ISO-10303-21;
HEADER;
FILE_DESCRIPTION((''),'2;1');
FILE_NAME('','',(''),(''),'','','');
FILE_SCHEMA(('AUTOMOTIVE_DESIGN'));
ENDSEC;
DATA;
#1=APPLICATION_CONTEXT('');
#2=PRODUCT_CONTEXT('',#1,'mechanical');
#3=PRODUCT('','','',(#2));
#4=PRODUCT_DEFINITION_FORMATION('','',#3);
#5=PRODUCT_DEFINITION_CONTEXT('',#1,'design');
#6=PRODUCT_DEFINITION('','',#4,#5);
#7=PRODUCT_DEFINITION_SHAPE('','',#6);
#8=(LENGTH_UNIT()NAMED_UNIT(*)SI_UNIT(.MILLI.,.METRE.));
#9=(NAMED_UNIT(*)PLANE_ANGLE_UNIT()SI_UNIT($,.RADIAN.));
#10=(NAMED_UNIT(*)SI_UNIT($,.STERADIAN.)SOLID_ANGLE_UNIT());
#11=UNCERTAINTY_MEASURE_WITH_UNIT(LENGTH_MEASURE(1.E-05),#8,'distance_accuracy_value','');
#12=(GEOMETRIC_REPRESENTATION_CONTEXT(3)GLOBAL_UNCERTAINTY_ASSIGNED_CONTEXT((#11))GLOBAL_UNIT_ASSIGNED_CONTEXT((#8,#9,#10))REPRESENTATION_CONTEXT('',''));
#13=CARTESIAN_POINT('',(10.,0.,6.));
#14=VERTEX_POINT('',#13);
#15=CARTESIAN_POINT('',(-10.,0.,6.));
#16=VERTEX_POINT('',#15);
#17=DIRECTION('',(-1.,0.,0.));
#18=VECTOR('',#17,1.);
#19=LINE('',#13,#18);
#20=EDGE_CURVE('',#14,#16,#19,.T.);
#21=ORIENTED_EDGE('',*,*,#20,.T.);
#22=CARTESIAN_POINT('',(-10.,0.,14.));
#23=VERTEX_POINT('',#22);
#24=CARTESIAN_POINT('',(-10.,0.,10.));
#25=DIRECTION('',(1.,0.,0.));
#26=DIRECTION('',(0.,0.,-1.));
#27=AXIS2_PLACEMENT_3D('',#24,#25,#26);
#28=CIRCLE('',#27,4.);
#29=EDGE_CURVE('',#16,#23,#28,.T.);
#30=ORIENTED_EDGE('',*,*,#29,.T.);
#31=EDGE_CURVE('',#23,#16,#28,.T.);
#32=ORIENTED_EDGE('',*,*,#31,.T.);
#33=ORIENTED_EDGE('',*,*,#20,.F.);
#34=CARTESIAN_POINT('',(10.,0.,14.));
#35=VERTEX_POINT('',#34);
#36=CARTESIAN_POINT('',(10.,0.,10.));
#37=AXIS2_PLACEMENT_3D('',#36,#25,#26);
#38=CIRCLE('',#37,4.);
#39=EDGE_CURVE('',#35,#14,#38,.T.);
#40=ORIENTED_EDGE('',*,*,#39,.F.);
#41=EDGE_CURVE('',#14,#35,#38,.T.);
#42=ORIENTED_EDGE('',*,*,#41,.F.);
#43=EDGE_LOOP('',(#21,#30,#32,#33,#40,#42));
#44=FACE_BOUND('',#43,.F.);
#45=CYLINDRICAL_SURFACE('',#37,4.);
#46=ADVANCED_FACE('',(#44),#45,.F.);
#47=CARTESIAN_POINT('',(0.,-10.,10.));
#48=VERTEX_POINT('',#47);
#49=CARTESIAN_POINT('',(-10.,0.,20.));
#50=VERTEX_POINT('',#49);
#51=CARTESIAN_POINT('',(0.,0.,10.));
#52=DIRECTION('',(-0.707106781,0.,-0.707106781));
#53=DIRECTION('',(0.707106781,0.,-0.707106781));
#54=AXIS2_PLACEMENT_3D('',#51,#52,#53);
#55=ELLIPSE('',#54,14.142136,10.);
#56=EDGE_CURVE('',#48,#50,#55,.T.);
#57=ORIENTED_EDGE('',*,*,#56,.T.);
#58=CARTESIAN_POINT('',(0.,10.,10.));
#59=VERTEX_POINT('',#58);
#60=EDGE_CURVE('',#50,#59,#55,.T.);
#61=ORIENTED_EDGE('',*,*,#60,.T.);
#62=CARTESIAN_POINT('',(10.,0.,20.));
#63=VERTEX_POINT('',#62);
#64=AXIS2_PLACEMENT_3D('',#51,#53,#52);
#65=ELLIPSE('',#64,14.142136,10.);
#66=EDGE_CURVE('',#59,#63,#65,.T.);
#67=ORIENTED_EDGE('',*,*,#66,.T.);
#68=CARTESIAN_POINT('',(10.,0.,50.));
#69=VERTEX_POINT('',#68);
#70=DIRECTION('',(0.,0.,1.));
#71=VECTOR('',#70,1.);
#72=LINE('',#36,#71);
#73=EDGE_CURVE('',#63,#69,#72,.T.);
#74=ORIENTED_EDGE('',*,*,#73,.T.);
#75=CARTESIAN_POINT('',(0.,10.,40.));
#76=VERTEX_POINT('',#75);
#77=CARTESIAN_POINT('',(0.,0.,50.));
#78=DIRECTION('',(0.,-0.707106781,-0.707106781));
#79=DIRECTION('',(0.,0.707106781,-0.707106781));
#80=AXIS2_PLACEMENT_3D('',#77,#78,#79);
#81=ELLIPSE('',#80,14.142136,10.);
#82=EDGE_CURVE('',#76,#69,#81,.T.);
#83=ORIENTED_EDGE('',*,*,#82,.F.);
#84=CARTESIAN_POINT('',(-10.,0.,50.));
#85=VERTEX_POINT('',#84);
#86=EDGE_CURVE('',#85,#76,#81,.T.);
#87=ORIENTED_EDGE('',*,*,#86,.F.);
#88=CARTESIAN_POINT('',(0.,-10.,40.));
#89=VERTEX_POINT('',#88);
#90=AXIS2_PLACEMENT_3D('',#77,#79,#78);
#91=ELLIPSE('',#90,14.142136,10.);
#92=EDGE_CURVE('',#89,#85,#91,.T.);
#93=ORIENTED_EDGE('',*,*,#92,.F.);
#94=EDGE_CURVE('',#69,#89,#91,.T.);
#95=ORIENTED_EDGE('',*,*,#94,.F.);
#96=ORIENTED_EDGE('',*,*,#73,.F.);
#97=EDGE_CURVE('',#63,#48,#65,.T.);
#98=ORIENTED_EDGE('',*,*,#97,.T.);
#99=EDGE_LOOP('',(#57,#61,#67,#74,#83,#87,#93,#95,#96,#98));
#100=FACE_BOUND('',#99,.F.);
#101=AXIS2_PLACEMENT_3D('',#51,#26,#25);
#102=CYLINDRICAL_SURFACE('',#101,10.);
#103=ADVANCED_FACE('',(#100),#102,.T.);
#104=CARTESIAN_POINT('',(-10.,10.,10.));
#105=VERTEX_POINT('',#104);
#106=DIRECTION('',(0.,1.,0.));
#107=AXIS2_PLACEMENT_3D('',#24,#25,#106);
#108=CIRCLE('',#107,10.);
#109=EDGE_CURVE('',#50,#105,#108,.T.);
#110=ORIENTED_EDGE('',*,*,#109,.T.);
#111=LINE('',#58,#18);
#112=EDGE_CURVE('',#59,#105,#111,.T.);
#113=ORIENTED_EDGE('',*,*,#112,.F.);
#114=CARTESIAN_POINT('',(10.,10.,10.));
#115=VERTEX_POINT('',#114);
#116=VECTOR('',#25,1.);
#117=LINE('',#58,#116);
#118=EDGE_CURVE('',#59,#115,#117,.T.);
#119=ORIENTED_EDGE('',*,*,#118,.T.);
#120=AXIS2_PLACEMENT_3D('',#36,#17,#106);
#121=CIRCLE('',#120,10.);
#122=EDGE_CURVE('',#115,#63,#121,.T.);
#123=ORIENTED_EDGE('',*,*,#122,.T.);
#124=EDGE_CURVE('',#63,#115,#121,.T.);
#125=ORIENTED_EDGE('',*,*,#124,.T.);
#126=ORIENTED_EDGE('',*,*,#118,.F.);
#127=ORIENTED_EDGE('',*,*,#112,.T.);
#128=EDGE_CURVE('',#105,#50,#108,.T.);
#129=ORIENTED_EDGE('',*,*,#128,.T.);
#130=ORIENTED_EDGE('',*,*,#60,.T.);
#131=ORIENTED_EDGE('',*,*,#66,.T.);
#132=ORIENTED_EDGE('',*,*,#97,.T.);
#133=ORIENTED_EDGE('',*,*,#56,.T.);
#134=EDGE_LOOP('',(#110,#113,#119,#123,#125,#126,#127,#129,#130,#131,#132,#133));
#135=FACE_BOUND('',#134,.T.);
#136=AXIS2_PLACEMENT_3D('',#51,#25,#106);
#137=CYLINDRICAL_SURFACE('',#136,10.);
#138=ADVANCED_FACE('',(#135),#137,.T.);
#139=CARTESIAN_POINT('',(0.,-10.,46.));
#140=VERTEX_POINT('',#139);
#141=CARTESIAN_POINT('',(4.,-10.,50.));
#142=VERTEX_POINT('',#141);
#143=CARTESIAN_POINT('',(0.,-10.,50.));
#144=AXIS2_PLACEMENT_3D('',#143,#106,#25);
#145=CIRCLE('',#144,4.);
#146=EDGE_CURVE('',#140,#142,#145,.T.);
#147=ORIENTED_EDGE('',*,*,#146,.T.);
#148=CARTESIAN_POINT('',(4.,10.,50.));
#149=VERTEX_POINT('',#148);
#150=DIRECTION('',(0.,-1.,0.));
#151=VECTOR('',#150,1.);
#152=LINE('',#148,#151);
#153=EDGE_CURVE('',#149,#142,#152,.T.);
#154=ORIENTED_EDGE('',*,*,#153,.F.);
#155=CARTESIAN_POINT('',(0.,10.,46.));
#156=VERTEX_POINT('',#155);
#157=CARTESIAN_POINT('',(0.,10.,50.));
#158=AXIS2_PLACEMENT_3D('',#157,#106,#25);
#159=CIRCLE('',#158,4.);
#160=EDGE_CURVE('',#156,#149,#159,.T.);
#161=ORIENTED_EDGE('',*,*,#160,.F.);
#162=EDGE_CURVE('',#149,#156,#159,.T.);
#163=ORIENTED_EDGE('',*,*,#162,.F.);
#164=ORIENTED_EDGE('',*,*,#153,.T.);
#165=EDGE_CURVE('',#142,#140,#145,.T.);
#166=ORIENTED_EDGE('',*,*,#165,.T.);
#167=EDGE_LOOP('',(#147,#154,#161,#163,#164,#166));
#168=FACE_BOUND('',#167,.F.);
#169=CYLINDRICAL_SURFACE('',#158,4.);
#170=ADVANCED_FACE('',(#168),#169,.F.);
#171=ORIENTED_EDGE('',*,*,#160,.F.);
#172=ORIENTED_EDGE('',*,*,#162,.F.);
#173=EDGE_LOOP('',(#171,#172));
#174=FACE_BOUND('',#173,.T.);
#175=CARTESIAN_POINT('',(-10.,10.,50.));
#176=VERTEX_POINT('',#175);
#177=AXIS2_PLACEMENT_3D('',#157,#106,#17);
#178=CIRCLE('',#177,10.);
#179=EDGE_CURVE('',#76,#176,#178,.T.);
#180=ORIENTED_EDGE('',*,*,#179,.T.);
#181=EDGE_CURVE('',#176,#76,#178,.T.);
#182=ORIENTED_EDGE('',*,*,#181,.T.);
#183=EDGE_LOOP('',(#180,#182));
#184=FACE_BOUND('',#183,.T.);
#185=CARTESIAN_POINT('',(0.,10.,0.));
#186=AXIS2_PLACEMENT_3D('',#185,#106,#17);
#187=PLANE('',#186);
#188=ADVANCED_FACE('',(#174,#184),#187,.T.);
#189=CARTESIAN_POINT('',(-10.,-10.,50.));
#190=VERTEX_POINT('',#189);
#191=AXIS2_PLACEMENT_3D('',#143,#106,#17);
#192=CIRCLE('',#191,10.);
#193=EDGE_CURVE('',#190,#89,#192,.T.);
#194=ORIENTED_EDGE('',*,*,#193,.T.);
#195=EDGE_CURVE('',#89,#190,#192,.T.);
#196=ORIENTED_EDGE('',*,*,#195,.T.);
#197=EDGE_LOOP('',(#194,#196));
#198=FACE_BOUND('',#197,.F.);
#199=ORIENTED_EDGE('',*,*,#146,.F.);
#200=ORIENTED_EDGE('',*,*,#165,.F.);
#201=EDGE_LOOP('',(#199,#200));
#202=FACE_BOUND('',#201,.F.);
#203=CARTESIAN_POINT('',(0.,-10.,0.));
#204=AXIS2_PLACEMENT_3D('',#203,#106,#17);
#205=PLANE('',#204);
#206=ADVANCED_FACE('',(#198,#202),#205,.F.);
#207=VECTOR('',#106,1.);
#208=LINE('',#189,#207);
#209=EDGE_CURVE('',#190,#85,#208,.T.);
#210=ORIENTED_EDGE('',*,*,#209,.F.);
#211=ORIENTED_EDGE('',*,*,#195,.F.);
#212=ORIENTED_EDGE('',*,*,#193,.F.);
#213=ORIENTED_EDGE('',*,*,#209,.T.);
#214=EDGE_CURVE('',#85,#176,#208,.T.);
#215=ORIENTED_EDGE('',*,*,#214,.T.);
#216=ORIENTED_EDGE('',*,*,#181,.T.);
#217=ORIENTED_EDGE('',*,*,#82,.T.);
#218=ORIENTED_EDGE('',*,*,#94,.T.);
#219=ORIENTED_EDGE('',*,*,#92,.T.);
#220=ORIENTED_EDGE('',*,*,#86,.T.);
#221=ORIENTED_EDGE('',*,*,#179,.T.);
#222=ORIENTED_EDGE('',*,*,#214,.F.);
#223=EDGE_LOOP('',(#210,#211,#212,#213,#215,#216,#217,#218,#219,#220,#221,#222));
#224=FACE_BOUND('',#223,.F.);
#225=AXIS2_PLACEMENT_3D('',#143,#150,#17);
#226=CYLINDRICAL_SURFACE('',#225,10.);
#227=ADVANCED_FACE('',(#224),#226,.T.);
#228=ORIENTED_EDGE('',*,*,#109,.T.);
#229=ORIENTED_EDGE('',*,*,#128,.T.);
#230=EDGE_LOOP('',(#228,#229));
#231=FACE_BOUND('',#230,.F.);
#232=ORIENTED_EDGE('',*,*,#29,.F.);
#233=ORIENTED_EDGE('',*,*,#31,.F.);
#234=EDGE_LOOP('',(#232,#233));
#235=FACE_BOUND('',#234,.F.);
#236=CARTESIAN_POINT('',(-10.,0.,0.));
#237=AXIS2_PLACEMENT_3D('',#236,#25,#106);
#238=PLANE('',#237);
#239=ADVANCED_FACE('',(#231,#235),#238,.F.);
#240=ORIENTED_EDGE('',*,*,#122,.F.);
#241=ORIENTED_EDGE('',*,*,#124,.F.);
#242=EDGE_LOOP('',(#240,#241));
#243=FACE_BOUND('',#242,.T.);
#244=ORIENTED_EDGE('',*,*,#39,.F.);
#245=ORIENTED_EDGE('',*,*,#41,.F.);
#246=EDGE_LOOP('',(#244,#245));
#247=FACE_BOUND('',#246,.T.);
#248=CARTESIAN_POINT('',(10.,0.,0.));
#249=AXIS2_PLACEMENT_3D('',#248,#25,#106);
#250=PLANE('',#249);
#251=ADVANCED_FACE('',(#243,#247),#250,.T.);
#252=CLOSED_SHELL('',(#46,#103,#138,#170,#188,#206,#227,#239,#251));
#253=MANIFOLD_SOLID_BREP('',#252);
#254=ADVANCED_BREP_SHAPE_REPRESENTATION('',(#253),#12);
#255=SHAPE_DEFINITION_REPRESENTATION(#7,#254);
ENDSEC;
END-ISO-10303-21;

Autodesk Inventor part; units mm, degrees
ref_plane "YZ Plane" through (0, 0, 0) normal (1, 0, 0) x (0, 1, 0)
ref_plane "Work Plane2" through (0, 0, 10) normal (0, 0, 1) x (1, 0, 0)
sketch "Sketch2" plane through (0, 0, 10) normal (0, 0, 1) x (1, 0, 0)
  circle A0 centre (0, 0) radius 10
  dimension "d7" = 20
extrude "Extrusion2" add sketch "Sketch2" along normal blind 40
ref_plane "Work Plane1" through (0, -10, 0) normal (0, 1, 0) x (-1, 0, 0)
sketch "Sketch4" plane through (0, -10, 0) normal (0, 1, 0) x (-1, 0, 0)
  circle A0 centre (0, 50) radius 10
  line L0 (0, 10) -> (0, 50) projected
  line L1 (0, 10) -> (0, 50) projected
  circle A1 centre (0, 10) radius 10
  point P0 (0, 0)
  dimension "d12" = 20
extrude "Extrusion3" add sketch "Sketch4" along normal blind 20 contours A0
sketch "Sketch5" plane through (0, 10, 50) normal (0, 1, 0) x (1, 0, 0)
  circle A0 centre (0, 0) radius 4
  point P0 (0, 50)
  dimension "d15" = 8
extrude "Extrusion4" cut sketch "Sketch5" against normal through all
sketch "Sketch9" plane through (0, 0, 0) normal (1, 0, 0) x (0, 1, 0)
  circle A0 centre (0, 10) radius 10
  line L0 (0, 50) -> (-10, 40) projected
  line L1 (-10, 40) -> (0, 50) projected
  line L2 (0, 50) -> (10, 40) projected
  line L3 (10, 40) -> (0, 50) projected
  line L4 (10, 10) -> (-10, 10) projected
  point P0 (0, 0)
  dimension "d39" = 20
extrude "Extrusion8" add sketch "Sketch9" along normal mid plane 20
sketch "Sketch10" plane through (10, 0, 10) normal (1, 0, 0) x (0, 0, -1)
  circle A0 centre (0, 0) radius 4
  circle A1 centre (0, 0) radius 10 projected
  point P0 (10, 0)
  point P1 (-10, 0)
  dimension "d42" = 8
extrude "Extrusion9" cut sketch "Sketch10" against normal through all contours A0
properties part number "10-06-007"
